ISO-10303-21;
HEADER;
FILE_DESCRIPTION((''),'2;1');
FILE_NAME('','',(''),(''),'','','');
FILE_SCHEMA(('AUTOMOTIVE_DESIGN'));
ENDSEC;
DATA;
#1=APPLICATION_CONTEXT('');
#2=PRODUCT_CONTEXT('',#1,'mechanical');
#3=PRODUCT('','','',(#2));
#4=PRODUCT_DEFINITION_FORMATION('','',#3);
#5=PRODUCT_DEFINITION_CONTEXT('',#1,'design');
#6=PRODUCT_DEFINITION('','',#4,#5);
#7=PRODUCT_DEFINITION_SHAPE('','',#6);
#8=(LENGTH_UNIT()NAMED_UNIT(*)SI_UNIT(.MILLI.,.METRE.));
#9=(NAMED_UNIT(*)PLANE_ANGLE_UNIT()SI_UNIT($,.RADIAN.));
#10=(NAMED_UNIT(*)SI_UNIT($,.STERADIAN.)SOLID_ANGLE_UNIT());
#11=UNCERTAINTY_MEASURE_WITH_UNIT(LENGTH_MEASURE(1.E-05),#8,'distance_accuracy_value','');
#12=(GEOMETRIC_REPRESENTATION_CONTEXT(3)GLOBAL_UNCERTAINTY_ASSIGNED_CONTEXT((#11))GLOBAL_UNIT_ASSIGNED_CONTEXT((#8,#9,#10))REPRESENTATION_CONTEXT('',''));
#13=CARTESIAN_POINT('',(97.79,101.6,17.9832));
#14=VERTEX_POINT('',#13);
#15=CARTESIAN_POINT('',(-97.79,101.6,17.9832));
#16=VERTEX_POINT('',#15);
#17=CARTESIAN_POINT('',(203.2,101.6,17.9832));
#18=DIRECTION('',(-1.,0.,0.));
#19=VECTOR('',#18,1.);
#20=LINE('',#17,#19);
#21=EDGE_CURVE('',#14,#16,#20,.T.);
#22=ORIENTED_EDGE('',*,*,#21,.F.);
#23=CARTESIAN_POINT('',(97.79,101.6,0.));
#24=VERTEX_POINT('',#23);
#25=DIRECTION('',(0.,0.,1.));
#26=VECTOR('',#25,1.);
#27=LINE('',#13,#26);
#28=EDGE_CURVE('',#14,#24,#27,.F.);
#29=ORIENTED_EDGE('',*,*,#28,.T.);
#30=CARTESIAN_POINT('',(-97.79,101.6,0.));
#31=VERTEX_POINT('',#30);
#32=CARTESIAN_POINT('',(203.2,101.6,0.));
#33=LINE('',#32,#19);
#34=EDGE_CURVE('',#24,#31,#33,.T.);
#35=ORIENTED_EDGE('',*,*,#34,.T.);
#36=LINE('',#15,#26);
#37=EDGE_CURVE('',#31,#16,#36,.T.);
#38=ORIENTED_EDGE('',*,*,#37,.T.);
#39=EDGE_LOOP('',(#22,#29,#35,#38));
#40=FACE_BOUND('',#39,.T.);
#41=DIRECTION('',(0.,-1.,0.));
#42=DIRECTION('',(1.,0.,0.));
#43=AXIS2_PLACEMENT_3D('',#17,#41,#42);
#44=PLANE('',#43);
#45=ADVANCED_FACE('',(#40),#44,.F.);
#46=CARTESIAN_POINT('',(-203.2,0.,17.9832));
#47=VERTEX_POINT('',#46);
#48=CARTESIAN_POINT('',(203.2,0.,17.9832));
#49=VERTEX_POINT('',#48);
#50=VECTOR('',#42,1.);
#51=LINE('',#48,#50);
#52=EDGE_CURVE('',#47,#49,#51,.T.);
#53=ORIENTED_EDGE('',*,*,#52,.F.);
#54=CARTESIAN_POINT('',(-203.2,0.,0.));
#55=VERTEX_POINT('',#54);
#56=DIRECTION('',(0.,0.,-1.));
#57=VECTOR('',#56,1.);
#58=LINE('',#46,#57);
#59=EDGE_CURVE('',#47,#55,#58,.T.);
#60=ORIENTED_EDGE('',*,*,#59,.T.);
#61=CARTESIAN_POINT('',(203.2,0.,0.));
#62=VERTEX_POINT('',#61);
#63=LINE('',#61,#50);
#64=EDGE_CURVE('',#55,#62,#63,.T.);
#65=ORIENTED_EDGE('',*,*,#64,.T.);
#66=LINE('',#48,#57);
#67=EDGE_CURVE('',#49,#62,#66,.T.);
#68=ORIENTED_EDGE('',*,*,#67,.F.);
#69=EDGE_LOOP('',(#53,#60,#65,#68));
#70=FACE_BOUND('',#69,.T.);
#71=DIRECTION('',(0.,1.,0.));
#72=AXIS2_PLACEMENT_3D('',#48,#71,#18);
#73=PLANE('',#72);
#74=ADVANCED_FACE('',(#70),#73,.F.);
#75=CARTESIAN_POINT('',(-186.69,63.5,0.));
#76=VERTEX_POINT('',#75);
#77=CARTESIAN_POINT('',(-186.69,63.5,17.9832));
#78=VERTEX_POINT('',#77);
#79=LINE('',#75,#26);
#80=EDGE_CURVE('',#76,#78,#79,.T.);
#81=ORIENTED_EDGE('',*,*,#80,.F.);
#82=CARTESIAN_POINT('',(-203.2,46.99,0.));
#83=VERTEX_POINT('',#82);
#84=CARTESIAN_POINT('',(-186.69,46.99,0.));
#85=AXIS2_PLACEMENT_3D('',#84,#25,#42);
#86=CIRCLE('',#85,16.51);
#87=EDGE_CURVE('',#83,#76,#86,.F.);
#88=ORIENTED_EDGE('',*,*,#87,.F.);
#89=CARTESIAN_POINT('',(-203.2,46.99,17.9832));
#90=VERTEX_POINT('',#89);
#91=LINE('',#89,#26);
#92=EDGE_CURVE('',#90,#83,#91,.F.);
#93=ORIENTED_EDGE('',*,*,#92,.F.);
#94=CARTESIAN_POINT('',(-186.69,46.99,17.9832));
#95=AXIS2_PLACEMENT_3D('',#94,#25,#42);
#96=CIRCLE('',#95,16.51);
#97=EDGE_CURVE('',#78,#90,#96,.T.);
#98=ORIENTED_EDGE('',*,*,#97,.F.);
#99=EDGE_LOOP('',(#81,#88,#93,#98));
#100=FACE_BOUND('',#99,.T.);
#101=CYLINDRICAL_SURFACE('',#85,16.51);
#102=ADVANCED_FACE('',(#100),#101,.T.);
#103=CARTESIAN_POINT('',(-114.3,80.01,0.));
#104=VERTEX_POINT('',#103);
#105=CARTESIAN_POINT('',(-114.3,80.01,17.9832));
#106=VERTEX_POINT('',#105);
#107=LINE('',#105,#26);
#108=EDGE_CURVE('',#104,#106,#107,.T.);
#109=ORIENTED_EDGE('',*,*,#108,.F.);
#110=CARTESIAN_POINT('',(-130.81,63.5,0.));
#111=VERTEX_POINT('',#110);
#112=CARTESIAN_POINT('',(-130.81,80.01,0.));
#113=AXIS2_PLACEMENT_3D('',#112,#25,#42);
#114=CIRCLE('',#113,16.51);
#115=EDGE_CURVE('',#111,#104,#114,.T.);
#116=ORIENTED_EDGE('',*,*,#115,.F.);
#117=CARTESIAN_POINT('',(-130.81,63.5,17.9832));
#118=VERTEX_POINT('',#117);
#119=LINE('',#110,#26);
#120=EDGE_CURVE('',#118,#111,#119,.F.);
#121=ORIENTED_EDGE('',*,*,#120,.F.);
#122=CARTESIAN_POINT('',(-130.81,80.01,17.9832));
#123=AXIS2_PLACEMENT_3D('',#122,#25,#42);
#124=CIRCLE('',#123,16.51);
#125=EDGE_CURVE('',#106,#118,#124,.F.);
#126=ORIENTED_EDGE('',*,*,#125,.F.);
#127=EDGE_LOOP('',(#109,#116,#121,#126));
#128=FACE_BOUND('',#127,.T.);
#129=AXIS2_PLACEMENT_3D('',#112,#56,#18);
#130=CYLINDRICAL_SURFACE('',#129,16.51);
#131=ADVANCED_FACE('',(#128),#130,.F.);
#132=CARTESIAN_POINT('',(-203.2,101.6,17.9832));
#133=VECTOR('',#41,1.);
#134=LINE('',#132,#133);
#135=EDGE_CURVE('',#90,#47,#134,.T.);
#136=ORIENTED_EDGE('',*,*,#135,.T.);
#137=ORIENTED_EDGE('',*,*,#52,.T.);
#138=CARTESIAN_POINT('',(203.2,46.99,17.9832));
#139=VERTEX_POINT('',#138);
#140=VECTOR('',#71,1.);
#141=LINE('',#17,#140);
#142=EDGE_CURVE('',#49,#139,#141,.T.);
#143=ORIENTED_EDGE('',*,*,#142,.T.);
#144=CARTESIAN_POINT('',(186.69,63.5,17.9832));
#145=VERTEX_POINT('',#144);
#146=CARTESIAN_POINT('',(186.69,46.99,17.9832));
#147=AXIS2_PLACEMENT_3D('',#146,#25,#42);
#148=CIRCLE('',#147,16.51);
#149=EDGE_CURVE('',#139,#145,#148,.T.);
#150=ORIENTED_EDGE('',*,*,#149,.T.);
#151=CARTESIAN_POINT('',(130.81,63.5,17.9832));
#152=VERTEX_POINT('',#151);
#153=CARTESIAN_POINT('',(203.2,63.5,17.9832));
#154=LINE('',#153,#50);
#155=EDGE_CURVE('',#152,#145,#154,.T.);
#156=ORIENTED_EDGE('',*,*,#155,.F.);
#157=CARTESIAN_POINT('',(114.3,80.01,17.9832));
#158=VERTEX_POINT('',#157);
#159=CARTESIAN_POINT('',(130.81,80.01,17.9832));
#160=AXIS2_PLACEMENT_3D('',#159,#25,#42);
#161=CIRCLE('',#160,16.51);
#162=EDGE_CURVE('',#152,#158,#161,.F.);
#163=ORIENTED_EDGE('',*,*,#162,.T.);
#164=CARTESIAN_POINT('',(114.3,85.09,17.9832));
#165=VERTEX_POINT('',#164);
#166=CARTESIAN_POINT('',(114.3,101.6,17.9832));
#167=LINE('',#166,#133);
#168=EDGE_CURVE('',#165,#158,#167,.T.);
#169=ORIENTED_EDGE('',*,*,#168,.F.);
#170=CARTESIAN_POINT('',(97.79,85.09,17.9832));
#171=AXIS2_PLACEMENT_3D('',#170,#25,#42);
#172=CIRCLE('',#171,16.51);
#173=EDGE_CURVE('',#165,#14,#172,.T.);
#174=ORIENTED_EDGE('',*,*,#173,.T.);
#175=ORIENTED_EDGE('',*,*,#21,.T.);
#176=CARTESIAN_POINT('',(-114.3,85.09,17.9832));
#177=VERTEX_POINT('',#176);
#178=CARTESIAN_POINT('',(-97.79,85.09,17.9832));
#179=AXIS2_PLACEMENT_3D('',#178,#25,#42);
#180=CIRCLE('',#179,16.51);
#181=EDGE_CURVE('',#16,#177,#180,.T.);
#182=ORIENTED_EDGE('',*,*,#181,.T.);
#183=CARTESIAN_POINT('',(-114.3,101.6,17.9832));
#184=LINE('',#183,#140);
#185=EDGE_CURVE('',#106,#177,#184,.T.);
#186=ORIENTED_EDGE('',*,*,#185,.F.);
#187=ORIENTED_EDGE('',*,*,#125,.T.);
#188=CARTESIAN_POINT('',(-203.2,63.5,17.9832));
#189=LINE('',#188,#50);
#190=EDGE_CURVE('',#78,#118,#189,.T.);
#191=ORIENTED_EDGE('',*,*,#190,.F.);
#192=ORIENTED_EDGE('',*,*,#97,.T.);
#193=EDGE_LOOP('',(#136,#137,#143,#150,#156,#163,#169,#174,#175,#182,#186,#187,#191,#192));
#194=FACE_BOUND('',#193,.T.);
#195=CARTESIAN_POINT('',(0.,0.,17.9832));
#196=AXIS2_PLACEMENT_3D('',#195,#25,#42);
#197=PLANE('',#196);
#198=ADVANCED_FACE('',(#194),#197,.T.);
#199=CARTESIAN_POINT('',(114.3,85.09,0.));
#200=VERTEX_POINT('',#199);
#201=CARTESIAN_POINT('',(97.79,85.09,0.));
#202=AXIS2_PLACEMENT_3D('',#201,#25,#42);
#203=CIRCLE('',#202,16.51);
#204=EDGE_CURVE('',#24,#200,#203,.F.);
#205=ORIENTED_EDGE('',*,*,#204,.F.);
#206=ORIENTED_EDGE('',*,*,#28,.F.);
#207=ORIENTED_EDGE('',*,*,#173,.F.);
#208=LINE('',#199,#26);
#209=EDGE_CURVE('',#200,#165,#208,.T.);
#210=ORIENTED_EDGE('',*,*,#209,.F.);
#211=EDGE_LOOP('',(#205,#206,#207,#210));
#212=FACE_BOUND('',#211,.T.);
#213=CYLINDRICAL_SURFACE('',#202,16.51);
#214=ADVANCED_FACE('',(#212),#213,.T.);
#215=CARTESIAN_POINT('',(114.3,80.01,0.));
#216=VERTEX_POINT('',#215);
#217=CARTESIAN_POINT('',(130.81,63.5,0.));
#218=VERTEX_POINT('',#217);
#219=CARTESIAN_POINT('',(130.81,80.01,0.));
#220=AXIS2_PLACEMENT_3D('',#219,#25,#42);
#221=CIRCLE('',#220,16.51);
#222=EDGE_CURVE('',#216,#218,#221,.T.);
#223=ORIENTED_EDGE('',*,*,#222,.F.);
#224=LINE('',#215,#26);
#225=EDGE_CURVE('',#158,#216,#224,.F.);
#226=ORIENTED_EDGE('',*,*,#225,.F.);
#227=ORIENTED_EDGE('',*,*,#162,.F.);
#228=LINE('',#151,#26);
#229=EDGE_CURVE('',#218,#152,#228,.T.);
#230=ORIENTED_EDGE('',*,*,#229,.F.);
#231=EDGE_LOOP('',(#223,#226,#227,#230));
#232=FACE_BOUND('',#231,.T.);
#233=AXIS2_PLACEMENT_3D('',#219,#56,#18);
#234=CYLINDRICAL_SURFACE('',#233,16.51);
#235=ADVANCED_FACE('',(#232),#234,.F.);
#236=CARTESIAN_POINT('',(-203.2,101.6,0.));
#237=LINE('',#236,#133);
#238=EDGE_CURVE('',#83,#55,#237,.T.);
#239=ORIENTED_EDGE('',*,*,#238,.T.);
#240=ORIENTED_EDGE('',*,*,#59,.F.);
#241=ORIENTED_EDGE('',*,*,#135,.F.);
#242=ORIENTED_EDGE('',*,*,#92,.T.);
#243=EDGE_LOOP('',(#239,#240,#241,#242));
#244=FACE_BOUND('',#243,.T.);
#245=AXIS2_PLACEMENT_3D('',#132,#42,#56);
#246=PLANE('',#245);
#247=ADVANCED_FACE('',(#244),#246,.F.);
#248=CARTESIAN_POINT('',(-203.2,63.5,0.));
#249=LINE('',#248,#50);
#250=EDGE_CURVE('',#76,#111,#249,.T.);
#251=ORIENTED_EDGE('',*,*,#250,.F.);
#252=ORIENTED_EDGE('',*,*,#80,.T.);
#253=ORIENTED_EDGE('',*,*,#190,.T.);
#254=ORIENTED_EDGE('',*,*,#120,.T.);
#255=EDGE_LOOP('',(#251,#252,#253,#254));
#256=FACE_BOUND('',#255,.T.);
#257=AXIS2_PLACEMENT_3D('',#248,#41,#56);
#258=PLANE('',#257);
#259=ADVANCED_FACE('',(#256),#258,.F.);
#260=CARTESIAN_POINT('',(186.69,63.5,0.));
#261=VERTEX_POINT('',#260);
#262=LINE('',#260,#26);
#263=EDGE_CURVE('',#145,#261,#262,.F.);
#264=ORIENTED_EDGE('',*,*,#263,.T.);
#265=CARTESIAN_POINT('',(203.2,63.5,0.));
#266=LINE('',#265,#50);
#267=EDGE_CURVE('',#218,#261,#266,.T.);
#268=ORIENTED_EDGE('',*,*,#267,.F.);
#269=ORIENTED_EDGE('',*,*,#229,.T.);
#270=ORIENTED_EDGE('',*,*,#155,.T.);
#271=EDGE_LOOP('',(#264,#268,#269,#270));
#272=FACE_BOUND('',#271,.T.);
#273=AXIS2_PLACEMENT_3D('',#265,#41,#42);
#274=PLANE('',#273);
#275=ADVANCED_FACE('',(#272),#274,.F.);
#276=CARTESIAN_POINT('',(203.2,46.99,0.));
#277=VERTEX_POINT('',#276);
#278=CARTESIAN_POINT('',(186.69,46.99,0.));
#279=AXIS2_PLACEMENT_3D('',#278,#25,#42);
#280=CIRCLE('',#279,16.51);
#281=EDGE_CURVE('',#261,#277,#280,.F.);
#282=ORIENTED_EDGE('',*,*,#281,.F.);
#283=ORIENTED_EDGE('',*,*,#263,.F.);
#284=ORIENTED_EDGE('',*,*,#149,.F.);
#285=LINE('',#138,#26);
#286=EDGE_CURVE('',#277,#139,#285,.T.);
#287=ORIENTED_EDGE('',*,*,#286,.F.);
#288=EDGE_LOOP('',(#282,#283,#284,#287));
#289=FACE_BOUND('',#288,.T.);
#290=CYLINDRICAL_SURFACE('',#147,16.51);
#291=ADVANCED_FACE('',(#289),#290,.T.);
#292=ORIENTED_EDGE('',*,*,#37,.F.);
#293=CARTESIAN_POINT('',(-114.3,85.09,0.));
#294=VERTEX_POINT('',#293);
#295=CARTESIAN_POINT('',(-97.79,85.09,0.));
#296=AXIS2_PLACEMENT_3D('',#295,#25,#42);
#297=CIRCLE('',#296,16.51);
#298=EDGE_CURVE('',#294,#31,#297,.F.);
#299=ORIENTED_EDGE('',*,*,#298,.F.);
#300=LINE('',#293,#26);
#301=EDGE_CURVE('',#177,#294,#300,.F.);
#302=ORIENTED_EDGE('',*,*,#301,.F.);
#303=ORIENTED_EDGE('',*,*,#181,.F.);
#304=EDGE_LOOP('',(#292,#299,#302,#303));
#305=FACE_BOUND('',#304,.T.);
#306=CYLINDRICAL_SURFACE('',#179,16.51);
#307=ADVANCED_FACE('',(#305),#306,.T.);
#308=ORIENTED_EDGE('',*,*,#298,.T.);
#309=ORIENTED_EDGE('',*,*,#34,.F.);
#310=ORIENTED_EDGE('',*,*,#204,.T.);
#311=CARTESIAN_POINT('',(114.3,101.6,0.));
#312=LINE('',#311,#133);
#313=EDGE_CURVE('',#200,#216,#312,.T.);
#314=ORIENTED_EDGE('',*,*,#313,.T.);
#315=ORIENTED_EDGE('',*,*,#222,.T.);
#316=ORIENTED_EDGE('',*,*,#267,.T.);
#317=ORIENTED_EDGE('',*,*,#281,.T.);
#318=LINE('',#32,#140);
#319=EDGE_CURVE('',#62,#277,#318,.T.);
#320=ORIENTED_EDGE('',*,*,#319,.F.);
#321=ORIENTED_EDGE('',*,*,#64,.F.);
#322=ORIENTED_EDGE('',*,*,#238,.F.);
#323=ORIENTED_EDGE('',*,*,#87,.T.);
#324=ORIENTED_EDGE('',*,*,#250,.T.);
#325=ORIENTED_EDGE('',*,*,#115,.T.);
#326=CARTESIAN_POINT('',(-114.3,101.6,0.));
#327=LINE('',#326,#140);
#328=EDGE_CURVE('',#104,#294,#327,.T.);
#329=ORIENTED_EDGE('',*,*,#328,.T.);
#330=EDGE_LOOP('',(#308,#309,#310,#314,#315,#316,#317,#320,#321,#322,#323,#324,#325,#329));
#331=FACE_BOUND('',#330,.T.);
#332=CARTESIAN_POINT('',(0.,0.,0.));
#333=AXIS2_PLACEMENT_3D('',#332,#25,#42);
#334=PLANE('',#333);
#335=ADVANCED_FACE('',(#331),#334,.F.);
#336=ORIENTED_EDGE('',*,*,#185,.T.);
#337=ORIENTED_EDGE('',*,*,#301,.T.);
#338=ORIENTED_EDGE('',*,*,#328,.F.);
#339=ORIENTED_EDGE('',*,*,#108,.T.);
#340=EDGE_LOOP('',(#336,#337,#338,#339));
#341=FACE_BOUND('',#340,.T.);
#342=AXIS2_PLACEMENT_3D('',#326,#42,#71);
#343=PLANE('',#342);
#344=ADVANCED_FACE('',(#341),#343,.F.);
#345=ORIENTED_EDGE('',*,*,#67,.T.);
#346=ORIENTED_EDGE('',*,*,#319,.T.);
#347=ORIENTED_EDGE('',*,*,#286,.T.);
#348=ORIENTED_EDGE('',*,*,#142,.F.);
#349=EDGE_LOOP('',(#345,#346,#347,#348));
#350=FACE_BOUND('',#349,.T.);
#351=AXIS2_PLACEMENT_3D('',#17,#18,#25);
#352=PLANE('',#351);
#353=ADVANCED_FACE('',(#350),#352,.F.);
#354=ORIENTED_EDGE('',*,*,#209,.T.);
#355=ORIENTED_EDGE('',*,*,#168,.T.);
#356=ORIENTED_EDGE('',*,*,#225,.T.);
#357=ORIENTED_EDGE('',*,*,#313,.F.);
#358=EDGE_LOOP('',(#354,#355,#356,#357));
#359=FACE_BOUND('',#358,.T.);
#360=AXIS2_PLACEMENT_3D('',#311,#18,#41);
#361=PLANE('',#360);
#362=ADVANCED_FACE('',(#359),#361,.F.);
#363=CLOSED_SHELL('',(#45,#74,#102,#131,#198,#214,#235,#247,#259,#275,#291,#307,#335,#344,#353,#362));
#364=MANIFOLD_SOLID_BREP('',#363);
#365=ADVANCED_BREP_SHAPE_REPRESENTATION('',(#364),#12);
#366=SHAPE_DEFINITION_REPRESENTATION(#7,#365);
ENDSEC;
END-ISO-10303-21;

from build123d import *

# Parameters (mm, degrees)
SKETCH1_W           = 406.4
SKETCH1_H           = 101.6
BOSS_EXTRUDE1_DEPTH = 17.9832
SKETCH2_W           = 88.9
SKETCH2_H           = 38.1
CUT_EXTRUDE1_DEPTH  = 228.895141419
FILLET1_R           = 16.51


with BuildPart() as part:
    # Sketch1 → Boss-Extrude1 (new body)
    with BuildSketch(Plane.XY):
        with Locations((0, 50.8)):
            Rectangle(SKETCH1_W, SKETCH1_H)
    extrude(amount=BOSS_EXTRUDE1_DEPTH)

    # Sketch2 → Cut-Extrude1 (cut, through all)
    with BuildSketch(Plane.XY.offset(17.9832)):
        with Locations((-158.75, 82.55)):
            Rectangle(SKETCH2_W, SKETCH2_H)
        with Locations((158.75, 82.55)):
            Rectangle(SKETCH2_W, SKETCH2_H)
    extrude(amount=-CUT_EXTRUDE1_DEPTH, mode=Mode.SUBTRACT)

    # Fillet1
    fillet1_edges = [part.edges().sort_by_distance(p)[0] for p in [
        (-203.2, 63.5, 8.9916),
        (-114.3, 101.6, 8.9916),
        (-114.3, 63.5, 8.9916),
        (203.2, 63.5, 8.9916),
        (114.3, 63.5, 8.9916),
        (114.3, 101.6, 8.9916),
    ]]
    fillet(fillet1_edges, radius=FILLET1_R)


solid = part.part
